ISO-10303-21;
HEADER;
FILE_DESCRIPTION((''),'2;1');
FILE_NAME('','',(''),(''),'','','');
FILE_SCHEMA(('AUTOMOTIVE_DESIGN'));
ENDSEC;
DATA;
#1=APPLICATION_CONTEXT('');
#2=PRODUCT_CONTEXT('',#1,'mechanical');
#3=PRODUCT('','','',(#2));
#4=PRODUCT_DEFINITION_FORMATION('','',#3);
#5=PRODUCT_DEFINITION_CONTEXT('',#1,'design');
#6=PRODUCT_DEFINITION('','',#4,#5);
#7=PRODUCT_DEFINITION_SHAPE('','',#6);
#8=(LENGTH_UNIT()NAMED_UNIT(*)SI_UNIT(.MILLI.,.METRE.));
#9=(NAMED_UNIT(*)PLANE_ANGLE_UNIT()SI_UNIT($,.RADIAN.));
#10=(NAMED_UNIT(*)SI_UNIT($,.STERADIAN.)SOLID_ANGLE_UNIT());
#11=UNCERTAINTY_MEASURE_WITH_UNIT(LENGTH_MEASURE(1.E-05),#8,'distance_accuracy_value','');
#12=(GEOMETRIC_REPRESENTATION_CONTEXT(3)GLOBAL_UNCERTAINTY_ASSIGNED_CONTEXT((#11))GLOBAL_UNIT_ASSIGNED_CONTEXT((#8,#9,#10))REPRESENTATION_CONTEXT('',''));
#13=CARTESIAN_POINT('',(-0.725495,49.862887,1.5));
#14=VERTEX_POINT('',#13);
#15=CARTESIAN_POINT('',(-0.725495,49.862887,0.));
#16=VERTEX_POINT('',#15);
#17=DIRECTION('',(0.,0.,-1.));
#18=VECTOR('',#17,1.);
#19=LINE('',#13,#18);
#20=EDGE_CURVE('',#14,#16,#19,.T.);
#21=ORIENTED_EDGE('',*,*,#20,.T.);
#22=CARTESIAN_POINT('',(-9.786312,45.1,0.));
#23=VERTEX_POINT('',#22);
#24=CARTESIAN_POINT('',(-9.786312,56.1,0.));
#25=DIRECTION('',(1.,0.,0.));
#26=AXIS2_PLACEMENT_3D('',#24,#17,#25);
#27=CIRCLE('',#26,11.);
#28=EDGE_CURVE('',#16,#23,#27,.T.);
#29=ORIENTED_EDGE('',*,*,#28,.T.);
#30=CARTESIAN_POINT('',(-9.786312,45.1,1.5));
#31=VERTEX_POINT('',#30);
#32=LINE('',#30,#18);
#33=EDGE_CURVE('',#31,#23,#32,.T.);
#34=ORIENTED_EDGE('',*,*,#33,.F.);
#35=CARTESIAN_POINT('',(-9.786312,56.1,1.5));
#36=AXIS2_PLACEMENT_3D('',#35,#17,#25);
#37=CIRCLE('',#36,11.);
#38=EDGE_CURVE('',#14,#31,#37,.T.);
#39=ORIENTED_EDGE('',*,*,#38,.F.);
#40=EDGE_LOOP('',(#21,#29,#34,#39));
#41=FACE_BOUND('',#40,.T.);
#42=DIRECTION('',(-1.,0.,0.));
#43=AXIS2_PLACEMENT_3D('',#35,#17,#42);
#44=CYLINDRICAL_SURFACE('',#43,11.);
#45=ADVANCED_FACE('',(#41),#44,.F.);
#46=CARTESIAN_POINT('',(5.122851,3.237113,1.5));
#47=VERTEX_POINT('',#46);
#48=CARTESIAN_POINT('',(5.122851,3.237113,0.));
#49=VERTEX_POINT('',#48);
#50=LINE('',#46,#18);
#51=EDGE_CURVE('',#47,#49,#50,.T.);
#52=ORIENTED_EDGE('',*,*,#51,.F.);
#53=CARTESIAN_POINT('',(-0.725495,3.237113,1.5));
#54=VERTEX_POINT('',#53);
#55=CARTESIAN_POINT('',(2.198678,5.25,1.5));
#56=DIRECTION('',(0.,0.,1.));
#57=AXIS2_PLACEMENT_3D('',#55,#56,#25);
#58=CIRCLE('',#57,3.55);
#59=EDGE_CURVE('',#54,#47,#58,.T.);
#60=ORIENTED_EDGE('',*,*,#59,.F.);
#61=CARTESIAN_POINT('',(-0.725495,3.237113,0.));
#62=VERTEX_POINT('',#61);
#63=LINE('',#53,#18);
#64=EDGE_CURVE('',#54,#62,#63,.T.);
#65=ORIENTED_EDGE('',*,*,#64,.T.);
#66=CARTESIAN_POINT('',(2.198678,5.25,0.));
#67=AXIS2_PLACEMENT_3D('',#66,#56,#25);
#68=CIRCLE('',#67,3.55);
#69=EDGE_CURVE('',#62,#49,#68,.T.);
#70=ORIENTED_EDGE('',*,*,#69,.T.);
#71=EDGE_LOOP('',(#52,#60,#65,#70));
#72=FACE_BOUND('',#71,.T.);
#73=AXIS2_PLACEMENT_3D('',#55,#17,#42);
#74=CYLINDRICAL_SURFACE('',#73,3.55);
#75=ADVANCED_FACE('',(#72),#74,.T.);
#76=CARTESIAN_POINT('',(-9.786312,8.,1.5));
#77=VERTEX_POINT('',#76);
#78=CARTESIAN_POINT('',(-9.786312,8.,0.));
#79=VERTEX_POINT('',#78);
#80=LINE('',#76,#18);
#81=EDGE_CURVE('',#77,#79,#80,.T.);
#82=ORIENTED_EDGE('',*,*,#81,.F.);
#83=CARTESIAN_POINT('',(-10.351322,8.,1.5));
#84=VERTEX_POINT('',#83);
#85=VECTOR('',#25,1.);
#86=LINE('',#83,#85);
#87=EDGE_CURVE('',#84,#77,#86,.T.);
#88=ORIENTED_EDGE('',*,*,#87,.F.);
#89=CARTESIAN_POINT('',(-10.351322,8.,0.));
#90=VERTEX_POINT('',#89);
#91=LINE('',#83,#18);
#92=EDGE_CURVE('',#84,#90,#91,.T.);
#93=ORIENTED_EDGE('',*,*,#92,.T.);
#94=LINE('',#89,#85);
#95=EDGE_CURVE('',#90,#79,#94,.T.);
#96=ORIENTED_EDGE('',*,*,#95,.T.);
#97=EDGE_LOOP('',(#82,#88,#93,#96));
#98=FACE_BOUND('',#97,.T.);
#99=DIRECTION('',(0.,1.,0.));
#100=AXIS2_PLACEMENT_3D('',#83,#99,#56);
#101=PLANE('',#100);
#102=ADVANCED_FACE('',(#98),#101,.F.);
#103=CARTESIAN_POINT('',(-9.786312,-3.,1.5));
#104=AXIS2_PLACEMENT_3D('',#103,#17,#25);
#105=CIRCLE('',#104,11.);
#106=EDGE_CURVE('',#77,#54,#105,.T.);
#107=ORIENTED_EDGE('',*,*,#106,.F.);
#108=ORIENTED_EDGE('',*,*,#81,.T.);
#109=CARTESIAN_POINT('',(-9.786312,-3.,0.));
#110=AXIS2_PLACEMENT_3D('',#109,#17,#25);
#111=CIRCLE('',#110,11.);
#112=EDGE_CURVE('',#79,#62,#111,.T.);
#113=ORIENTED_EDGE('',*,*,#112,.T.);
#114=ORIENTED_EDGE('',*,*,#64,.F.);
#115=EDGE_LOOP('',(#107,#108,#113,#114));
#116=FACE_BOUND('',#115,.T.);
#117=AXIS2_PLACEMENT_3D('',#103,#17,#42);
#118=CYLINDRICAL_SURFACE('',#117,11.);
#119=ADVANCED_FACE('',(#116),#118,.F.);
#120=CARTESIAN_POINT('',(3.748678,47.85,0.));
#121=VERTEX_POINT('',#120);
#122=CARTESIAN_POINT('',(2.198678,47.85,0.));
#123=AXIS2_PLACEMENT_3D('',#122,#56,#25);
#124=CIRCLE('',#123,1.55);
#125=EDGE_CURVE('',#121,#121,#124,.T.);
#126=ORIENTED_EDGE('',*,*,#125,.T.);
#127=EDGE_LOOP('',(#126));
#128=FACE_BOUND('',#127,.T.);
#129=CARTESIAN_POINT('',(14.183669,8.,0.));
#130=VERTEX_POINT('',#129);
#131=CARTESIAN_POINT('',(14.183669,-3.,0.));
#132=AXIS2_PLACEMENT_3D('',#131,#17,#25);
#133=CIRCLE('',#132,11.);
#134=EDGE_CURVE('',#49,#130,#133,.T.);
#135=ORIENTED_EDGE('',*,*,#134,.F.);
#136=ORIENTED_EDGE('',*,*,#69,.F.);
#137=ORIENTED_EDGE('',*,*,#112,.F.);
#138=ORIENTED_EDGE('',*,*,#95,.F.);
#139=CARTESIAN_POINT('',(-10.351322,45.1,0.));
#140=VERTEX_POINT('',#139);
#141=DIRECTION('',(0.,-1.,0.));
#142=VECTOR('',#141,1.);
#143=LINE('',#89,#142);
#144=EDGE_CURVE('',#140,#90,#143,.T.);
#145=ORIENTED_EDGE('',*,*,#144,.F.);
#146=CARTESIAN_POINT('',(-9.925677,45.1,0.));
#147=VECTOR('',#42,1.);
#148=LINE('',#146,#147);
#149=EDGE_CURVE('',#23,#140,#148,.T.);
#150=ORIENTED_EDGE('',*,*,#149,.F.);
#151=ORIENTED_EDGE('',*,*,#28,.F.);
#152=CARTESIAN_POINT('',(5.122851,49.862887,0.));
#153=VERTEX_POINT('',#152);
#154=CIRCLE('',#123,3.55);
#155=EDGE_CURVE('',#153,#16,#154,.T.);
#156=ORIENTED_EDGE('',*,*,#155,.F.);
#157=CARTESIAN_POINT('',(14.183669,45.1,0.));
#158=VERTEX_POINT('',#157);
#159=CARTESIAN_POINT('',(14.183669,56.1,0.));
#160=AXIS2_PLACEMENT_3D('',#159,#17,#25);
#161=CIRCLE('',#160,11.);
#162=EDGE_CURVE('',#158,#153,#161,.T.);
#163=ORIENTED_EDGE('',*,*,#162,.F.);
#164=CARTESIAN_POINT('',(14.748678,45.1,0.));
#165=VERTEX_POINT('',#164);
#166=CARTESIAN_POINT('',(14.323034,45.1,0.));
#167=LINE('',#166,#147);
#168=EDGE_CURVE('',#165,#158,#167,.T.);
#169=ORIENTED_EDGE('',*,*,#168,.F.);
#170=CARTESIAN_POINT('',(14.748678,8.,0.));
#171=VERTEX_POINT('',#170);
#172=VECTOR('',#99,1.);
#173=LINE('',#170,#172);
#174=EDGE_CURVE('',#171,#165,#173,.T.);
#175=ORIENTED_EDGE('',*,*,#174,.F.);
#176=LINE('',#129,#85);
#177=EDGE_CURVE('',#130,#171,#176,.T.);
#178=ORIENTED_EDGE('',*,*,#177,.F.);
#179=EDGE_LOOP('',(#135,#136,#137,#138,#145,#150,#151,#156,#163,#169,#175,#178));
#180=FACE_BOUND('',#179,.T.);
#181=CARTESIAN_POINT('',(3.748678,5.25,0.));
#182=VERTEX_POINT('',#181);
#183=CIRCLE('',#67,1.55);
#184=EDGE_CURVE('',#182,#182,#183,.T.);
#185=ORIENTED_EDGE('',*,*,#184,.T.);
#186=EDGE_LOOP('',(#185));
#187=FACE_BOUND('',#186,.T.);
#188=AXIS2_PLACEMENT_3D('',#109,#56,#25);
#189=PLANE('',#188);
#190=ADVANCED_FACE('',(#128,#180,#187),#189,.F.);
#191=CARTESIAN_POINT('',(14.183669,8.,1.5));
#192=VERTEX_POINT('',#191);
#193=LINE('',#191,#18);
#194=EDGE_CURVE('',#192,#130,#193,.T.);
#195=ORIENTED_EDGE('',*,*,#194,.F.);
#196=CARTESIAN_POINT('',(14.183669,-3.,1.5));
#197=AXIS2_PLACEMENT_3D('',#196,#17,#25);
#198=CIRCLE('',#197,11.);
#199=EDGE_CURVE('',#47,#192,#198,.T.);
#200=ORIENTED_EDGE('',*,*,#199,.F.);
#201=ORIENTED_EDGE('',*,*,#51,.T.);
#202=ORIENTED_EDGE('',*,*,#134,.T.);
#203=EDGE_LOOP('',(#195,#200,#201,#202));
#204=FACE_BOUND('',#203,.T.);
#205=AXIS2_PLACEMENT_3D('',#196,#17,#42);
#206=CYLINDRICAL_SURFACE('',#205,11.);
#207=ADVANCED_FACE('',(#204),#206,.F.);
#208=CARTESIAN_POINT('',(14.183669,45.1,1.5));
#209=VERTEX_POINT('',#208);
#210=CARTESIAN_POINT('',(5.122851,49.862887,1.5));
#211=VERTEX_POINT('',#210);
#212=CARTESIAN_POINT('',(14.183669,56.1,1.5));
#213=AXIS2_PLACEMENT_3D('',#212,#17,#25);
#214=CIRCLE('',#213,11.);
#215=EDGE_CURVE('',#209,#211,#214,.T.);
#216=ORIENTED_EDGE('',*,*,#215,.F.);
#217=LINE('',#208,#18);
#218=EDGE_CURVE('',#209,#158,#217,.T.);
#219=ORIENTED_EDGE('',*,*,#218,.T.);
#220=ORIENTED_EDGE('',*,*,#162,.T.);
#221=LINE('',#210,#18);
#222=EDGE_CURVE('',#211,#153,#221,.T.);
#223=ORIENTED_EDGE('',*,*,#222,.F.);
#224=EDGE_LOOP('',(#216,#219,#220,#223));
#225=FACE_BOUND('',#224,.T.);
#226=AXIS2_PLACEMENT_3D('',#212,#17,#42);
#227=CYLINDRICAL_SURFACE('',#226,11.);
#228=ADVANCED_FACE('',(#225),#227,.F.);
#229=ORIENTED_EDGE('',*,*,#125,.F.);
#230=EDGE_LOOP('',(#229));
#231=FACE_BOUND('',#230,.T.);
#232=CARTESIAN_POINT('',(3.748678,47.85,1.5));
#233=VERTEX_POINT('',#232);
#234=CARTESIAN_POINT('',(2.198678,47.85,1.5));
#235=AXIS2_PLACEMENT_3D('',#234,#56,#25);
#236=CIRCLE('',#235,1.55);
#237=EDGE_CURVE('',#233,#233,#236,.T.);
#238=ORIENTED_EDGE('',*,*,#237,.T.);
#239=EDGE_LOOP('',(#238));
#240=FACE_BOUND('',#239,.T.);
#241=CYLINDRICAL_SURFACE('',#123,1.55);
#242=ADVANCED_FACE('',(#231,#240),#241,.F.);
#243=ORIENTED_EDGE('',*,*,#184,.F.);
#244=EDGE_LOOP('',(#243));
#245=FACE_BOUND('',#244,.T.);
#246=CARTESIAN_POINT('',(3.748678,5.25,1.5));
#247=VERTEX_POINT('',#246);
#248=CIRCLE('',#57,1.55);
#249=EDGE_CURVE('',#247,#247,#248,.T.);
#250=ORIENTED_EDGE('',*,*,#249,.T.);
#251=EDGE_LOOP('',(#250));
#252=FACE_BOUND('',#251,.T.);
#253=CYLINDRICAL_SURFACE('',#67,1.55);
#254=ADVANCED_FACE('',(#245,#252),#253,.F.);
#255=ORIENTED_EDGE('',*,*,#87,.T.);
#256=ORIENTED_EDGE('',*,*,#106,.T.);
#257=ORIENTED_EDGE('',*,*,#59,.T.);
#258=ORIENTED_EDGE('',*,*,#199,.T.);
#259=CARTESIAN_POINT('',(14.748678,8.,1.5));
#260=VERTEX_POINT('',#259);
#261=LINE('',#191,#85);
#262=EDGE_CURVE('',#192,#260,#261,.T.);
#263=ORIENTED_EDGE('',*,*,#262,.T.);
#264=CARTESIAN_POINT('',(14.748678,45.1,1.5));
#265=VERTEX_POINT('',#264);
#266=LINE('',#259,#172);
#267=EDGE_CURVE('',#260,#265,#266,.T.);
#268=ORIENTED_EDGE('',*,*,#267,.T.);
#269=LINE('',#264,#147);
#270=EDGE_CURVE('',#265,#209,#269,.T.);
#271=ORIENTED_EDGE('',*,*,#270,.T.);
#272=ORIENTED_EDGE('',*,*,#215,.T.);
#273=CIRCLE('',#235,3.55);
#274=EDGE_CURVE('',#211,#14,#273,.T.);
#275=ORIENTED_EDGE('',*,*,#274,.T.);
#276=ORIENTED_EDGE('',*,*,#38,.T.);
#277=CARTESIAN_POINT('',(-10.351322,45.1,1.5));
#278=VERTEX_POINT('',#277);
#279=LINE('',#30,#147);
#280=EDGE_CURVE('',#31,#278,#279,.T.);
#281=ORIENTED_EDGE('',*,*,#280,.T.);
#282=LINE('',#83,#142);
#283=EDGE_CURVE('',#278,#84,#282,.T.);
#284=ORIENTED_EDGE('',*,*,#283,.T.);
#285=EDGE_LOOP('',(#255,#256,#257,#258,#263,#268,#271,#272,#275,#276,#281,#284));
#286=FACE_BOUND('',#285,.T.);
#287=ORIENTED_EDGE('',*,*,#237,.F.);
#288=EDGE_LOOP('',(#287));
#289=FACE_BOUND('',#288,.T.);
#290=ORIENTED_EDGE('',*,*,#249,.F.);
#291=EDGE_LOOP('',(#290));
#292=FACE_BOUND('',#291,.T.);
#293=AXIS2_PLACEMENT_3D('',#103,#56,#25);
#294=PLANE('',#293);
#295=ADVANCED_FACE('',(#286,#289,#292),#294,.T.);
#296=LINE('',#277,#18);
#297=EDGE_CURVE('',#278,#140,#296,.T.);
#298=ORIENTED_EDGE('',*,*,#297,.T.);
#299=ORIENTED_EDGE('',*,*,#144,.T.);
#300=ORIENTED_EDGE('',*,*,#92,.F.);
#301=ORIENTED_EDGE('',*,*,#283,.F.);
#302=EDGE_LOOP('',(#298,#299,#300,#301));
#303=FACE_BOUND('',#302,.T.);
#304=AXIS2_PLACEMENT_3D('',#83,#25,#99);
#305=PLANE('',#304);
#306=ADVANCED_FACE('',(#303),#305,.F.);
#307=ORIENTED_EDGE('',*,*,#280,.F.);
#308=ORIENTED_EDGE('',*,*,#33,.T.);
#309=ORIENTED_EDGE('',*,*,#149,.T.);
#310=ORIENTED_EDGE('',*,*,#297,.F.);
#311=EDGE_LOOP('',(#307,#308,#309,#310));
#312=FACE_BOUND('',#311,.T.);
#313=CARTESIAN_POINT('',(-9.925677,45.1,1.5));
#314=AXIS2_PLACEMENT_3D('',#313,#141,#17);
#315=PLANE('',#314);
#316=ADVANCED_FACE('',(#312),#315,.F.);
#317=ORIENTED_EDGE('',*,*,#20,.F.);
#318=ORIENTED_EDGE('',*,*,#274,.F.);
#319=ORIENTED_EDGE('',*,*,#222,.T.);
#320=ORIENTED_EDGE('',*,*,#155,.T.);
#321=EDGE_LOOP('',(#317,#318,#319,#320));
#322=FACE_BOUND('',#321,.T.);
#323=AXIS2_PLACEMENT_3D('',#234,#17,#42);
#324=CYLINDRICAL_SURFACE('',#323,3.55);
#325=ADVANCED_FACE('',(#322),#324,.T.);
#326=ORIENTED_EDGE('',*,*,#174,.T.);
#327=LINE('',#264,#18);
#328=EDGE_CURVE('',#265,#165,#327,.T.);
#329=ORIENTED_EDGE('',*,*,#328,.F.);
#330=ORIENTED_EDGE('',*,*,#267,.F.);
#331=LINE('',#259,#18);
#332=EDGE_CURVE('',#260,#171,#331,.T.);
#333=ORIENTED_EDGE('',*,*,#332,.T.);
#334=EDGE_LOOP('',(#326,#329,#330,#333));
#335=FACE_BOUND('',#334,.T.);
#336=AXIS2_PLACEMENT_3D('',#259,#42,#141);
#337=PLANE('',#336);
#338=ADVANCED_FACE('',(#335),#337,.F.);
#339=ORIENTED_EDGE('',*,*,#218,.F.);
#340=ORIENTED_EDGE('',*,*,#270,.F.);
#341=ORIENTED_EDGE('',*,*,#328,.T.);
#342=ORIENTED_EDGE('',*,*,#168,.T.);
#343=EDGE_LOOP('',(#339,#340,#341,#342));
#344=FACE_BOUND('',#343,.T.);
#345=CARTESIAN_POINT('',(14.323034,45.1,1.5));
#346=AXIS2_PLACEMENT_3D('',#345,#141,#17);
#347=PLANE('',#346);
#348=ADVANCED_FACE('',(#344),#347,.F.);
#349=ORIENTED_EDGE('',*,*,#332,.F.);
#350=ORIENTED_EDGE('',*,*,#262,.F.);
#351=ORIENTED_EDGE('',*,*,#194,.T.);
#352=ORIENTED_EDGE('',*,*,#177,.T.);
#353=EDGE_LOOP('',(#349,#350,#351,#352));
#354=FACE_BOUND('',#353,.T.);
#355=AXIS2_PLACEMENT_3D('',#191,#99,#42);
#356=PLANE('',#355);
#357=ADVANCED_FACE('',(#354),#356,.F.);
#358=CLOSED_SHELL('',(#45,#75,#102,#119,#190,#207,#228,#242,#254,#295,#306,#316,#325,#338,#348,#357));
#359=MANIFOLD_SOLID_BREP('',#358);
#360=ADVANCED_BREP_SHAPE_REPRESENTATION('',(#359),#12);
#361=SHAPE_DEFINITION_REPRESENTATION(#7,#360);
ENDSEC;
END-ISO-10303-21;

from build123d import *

# Parameters (mm, degrees)
BOSS_EXTRUDE1_DEPTH = 1.5
SKETCH2_R           = 1.55
CUT_EXTRUDE1_DEPTH  = 54.49517282


with BuildPart() as part:
    # Sketch1 → Boss-Extrude1 (new body)
    with BuildSketch(Plane.XY):
        with BuildLine():
            Line((-10.351321581, 8), (-10.351321581, 45.1))
            Line((-10.351321581, 45.1), (-9.925677234, 45.1))
            Line((-9.925677234, 45.1), (-9.786312195, 45.1))
            ThreePointArc((-9.786312195, 45.1), (-4.668121471, 46.363259082), (-0.725494549, 49.862886598))
            ThreePointArc((-0.725494549, 49.862886598), (2.198678419, 51.4), (5.122851386, 49.862886598))
            ThreePointArc((5.122851386, 49.862886598), (9.065478308, 46.363259082), (14.183669032, 45.1))
            Line((14.183669032, 45.1), (14.323034072, 45.1))
            Line((14.323034072, 45.1), (14.748678419, 45.1))
            Line((14.748678419, 45.1), (14.748678419, 8))
            Line((14.748678419, 8), (14.183669032, 8))
            ThreePointArc((14.183669032, 8), (9.065478308, 6.736740918), (5.122851386, 3.237113402))
            ThreePointArc((5.122851386, 3.237113402), (2.198678419, 1.7), (-0.725494549, 3.237113402))
            ThreePointArc((-0.725494549, 3.237113402), (-4.668121471, 6.736740918), (-9.786312195, 8))
            Line((-9.786312195, 8), (-10.351321581, 8))
        make_face()
    extrude(amount=BOSS_EXTRUDE1_DEPTH)

    # Sketch2 → Cut-Extrude1 (cut, through all)
    with BuildSketch(Plane.XY.offset(1.5)):
        with Locations((2.198678419, 47.85)):
            Circle(SKETCH2_R)
        with Locations((2.198678419, 5.25)):
            Circle(SKETCH2_R)
    extrude(amount=-CUT_EXTRUDE1_DEPTH, mode=Mode.SUBTRACT)


solid = part.part
